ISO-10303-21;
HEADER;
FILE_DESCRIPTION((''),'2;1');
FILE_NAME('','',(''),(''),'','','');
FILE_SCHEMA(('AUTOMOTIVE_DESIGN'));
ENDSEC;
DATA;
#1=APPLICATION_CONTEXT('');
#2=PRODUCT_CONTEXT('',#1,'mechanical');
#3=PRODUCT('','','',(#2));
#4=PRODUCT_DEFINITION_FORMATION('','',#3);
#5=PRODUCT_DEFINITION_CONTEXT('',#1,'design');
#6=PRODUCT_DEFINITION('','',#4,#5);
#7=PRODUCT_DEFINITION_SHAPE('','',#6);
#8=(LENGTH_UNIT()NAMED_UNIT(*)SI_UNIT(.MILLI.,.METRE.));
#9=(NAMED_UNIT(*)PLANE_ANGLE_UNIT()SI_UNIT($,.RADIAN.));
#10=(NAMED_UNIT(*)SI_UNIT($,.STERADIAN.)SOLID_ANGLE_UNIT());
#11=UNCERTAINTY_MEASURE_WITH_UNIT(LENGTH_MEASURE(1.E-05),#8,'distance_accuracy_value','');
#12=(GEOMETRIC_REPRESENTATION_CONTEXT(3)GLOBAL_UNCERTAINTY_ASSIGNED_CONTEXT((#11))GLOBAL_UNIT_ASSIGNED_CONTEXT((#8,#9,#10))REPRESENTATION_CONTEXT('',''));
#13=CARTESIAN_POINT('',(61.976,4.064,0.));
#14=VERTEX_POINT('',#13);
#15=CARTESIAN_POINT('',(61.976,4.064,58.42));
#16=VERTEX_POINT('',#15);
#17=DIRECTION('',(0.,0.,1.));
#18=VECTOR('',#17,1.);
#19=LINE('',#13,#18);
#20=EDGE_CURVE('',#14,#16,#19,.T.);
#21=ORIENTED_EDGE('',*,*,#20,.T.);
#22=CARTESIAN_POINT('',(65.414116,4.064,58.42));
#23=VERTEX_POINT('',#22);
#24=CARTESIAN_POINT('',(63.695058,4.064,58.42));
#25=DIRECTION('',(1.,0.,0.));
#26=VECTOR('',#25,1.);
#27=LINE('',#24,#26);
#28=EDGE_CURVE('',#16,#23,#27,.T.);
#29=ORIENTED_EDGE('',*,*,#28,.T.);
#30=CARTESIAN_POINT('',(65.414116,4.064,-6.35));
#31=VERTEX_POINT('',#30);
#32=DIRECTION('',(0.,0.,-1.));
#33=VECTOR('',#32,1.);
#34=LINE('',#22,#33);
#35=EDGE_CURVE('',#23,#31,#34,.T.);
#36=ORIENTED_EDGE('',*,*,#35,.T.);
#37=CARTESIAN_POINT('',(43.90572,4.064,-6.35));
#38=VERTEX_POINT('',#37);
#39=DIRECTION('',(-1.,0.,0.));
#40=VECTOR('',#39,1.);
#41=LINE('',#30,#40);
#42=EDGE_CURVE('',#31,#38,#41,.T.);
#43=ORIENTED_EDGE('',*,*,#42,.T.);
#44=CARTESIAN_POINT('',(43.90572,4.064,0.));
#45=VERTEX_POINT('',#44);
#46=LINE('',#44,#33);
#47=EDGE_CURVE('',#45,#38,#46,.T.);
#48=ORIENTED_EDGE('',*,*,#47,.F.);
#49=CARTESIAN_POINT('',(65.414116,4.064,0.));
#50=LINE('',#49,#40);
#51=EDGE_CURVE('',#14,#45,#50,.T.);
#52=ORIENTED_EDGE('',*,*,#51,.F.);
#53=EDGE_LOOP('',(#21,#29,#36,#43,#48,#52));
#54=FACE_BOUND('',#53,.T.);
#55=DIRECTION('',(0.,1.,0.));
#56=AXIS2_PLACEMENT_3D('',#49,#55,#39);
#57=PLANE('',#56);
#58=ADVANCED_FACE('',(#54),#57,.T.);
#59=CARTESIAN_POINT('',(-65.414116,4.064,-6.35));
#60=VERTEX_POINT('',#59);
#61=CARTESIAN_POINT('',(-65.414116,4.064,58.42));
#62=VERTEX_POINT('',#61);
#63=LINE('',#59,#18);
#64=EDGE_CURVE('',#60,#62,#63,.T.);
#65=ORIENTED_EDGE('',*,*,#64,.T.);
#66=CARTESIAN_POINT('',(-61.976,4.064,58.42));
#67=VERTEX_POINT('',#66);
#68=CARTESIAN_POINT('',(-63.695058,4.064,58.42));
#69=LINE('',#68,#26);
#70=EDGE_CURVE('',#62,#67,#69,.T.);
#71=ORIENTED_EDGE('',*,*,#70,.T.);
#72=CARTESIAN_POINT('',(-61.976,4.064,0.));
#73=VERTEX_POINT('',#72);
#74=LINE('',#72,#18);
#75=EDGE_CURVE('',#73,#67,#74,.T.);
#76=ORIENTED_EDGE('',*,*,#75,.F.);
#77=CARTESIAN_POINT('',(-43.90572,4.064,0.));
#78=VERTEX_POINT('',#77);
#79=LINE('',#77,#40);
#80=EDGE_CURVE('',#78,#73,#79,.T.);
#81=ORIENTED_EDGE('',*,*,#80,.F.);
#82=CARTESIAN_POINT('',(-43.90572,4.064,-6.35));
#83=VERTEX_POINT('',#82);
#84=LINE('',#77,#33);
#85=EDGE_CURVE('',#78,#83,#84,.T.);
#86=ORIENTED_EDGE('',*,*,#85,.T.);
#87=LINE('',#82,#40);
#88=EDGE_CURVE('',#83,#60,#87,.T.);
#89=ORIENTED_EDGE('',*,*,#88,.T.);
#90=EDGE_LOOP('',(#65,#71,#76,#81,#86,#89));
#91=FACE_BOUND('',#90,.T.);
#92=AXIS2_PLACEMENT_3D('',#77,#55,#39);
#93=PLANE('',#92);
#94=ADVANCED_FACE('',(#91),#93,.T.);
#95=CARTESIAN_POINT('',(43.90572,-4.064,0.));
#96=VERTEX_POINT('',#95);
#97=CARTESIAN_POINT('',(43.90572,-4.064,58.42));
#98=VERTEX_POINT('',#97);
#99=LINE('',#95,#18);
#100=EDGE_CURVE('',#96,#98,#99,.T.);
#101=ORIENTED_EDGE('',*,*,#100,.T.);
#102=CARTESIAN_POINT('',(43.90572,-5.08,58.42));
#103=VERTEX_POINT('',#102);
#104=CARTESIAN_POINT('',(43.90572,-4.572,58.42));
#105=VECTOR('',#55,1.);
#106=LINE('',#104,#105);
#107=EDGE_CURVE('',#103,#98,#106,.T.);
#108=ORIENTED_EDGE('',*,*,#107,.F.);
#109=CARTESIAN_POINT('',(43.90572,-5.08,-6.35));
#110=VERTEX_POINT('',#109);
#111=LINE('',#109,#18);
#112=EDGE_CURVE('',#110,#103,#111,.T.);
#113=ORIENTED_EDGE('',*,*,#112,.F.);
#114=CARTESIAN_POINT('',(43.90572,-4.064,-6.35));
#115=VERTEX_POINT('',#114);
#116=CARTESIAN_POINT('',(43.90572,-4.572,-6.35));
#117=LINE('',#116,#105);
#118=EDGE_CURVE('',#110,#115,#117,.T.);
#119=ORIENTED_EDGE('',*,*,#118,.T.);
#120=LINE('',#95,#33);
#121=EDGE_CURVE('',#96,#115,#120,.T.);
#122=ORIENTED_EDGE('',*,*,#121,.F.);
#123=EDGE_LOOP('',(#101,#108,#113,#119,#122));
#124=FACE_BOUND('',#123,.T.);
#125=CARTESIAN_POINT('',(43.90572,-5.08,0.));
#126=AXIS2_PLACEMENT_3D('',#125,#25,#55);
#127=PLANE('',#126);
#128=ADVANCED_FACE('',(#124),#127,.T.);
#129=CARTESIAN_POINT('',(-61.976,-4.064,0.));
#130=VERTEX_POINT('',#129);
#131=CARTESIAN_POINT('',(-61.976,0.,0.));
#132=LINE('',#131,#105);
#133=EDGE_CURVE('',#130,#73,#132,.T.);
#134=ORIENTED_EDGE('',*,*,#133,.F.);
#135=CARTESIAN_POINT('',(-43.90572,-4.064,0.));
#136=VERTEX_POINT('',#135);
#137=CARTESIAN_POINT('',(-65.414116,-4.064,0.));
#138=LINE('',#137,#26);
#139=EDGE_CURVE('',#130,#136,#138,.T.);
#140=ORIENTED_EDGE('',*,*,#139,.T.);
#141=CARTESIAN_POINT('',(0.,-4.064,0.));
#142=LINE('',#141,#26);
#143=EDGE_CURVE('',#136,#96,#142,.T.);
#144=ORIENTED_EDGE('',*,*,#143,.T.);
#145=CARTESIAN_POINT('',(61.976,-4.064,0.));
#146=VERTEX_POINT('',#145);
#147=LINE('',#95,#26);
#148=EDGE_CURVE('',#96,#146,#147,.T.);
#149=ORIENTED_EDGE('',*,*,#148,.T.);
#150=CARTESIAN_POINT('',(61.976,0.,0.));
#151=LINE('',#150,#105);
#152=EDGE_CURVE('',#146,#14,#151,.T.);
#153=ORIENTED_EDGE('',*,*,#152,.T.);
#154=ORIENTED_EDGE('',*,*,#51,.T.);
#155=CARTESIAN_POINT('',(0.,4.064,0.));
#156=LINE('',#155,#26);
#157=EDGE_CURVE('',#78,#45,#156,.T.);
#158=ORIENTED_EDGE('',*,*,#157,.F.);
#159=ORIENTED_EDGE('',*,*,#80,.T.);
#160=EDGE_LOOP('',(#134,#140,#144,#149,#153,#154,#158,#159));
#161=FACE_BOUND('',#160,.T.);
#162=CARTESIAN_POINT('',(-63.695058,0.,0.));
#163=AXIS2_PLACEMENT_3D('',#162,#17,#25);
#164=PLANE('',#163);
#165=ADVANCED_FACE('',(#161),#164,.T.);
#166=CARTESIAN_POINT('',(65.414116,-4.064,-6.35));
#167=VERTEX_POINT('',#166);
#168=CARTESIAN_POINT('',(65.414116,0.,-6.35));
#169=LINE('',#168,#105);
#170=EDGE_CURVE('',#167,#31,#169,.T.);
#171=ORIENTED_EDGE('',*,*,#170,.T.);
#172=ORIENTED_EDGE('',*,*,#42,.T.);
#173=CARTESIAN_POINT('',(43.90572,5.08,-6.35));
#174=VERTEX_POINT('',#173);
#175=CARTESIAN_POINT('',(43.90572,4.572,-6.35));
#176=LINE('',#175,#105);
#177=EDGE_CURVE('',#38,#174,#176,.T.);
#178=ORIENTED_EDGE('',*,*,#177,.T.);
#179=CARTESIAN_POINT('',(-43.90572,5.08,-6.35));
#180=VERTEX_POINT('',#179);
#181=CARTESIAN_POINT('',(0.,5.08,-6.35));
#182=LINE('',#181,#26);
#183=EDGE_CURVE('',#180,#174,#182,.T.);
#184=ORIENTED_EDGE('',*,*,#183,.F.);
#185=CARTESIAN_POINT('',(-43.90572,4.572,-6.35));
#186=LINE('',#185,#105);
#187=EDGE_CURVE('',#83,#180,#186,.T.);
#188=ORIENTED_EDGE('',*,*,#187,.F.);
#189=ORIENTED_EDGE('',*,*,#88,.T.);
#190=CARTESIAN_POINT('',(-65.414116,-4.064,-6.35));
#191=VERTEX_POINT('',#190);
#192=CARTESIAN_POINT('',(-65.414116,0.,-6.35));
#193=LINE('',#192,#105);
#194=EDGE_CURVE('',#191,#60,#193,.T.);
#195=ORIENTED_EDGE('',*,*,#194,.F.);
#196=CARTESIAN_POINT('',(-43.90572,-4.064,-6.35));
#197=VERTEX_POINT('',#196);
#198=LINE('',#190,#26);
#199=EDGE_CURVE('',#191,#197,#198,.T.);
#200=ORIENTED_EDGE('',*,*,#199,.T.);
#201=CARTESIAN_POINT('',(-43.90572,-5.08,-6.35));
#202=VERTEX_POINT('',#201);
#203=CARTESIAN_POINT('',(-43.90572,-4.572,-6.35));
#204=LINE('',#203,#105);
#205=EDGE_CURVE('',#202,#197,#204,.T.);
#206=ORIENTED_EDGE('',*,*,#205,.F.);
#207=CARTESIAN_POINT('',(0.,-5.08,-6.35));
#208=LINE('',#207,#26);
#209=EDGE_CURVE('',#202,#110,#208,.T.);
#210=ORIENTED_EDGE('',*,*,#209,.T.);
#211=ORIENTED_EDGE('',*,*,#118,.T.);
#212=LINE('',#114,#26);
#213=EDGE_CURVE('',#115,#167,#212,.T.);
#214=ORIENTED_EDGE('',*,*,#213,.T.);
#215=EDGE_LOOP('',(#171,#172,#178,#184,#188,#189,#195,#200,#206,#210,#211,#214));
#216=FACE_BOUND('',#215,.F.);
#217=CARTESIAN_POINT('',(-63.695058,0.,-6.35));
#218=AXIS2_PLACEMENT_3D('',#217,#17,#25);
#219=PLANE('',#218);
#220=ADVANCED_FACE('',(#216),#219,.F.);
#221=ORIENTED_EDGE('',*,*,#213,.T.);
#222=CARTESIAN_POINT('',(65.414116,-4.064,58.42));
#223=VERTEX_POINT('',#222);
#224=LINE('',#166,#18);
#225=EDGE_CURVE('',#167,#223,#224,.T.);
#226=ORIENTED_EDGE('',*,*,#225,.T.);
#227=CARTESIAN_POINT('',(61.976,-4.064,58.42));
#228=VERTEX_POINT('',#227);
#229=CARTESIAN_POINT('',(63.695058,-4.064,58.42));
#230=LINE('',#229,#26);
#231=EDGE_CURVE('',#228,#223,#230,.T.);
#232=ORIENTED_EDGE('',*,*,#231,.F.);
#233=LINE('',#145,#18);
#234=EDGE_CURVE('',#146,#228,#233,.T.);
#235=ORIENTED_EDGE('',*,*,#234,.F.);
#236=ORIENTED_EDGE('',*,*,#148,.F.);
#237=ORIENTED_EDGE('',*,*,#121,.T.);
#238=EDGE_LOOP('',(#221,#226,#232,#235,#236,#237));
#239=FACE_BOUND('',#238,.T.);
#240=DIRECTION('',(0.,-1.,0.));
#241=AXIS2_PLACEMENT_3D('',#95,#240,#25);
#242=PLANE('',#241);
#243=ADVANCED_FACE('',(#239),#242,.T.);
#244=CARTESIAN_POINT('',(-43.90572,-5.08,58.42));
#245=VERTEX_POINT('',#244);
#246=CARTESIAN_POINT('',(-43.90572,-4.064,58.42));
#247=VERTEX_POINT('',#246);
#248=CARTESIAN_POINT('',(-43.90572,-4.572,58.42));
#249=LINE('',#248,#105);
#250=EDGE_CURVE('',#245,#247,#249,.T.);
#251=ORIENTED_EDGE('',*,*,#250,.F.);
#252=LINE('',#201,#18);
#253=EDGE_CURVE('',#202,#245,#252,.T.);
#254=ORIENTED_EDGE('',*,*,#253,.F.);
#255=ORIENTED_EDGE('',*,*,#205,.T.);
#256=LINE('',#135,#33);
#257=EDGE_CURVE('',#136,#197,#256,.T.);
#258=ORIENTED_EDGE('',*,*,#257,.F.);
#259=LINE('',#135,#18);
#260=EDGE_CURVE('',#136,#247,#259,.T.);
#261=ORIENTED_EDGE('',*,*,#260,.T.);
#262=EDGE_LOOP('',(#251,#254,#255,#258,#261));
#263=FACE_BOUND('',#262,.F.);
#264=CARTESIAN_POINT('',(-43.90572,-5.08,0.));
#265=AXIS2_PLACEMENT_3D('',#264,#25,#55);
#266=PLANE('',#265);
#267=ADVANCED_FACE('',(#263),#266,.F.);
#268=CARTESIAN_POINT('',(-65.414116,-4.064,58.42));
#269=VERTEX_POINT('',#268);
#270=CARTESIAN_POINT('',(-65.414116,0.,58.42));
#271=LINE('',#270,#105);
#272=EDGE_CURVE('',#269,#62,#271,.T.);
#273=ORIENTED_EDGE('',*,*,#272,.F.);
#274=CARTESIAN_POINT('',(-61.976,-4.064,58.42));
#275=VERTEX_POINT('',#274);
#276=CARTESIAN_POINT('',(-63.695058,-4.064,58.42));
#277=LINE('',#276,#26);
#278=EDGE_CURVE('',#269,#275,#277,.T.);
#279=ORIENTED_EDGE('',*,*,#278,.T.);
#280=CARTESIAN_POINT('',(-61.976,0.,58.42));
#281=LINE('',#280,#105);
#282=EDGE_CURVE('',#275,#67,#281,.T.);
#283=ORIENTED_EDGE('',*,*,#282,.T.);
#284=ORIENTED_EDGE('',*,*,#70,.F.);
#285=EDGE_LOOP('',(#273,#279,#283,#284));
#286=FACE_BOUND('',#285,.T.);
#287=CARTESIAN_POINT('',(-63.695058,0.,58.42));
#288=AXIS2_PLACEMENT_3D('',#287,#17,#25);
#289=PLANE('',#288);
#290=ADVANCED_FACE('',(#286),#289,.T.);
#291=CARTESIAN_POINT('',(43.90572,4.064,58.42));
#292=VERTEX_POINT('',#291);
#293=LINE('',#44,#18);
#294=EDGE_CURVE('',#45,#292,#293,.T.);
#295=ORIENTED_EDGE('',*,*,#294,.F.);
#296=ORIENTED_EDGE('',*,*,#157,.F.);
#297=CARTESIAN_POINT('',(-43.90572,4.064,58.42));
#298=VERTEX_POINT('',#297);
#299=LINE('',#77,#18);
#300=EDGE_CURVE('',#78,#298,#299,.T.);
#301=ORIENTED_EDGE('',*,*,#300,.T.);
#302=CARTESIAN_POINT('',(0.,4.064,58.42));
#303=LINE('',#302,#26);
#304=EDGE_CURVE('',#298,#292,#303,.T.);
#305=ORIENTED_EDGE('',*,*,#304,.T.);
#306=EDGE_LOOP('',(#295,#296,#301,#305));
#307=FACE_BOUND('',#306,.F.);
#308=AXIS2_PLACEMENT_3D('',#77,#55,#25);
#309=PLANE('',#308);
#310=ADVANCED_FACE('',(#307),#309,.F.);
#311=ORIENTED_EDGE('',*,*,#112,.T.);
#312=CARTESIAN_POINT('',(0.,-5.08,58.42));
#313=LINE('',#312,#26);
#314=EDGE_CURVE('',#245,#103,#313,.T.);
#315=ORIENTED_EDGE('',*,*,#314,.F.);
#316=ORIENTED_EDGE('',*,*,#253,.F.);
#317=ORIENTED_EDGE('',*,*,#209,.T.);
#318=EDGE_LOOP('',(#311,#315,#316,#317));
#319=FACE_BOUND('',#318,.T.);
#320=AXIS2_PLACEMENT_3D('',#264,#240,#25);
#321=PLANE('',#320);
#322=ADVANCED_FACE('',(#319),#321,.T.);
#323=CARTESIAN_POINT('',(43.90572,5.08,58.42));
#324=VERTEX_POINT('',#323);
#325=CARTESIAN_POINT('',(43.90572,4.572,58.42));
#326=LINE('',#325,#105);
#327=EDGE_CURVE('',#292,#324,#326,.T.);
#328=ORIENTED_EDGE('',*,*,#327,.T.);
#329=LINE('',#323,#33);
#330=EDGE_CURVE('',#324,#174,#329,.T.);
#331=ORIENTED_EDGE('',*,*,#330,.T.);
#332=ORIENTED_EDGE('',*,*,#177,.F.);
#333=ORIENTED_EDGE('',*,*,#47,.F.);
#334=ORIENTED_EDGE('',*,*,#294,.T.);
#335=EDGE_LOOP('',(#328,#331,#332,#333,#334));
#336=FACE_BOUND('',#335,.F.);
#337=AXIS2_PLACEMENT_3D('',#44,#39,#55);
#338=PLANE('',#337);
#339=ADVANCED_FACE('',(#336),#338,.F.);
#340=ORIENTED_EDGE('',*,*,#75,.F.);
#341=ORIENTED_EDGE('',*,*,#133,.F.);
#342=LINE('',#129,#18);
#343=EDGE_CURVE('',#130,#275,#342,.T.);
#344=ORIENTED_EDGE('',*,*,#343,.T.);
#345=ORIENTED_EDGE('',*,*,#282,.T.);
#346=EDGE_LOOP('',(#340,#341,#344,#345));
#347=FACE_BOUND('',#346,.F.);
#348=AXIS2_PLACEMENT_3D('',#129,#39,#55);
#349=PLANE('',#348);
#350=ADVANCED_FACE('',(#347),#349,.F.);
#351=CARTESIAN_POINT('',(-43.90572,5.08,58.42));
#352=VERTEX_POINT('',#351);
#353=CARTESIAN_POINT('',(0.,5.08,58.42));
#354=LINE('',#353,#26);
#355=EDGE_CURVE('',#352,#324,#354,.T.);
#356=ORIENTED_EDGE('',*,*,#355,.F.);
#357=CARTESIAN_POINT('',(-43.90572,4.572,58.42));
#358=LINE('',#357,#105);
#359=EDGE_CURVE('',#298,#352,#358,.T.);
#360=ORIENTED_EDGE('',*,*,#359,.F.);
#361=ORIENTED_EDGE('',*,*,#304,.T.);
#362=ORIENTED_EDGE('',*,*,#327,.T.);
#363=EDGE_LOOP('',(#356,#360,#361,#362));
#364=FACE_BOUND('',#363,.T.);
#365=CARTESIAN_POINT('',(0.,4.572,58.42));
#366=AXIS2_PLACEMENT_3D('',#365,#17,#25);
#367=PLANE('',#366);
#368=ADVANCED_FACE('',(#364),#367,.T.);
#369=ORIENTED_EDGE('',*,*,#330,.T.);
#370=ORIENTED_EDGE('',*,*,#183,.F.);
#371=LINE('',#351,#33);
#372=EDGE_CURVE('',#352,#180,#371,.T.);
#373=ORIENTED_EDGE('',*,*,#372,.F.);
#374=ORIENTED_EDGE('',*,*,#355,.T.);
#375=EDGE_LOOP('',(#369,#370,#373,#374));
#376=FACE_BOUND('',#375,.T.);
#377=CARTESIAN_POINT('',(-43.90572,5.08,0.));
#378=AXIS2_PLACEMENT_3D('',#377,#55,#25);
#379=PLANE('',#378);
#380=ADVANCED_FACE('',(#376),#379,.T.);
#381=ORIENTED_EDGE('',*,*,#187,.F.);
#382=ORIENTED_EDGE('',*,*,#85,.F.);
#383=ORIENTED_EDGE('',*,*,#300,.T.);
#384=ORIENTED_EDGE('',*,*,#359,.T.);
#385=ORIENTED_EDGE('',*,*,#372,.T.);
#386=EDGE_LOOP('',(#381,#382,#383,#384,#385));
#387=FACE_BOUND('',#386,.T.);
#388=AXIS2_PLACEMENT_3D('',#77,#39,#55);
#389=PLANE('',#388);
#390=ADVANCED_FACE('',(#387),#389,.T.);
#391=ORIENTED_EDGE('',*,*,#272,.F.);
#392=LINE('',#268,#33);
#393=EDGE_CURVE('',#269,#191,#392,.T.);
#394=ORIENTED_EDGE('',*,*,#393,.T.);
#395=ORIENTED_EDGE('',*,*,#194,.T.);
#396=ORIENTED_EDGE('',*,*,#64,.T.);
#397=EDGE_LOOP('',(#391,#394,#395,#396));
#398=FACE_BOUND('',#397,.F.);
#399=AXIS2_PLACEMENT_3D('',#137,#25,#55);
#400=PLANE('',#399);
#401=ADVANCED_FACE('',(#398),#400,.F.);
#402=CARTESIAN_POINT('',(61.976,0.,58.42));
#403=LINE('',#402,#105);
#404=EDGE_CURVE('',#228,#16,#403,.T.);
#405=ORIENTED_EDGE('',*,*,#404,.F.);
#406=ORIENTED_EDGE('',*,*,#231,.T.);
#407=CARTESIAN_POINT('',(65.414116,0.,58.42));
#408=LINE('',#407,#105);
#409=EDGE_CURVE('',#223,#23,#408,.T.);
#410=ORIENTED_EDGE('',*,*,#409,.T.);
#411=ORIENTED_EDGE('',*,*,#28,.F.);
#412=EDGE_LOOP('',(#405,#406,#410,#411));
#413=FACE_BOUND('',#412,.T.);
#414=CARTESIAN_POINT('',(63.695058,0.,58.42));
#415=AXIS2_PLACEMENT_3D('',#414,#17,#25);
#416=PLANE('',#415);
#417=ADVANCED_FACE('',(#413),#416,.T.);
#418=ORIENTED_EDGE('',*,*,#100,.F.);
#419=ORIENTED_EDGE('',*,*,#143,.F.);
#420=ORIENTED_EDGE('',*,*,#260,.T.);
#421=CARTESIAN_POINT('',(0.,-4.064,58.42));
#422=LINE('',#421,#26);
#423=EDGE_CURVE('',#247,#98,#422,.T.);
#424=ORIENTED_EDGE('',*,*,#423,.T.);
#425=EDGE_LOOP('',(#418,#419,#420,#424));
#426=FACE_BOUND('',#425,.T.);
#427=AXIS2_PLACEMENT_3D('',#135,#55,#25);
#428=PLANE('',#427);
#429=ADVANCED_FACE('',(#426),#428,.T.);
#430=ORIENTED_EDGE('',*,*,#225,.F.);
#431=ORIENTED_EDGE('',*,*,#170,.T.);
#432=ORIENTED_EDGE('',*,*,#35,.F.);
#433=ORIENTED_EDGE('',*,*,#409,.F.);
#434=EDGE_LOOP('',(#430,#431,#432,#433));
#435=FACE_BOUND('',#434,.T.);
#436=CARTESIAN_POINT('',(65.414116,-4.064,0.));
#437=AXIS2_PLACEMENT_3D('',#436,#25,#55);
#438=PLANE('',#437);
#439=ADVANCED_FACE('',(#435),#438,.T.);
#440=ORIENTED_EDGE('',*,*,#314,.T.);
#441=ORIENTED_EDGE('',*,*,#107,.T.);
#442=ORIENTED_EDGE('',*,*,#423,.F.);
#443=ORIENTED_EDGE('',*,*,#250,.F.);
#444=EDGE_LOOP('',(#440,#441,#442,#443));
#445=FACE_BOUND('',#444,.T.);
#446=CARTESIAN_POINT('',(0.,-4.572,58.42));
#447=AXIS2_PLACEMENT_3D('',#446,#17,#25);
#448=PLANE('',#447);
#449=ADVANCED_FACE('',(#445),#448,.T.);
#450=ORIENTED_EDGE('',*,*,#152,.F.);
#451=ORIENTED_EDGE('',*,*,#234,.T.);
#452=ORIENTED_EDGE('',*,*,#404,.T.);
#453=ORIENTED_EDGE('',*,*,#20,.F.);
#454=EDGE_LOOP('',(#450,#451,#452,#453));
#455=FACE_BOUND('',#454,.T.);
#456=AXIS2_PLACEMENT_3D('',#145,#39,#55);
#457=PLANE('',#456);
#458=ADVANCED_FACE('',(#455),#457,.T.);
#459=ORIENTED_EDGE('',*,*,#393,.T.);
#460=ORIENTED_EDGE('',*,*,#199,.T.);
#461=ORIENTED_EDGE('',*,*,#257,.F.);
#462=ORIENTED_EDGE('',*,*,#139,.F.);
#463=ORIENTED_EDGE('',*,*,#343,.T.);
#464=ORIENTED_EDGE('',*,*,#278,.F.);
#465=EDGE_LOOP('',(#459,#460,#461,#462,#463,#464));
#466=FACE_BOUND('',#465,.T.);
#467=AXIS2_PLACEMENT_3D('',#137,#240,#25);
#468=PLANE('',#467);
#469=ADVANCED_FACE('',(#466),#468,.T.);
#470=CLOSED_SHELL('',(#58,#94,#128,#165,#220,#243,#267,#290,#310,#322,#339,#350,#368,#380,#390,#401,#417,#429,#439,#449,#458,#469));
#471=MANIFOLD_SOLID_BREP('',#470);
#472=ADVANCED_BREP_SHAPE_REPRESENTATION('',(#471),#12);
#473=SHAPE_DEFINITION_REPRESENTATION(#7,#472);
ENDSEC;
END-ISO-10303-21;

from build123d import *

# Parameters (mm, degrees)
F0_W     = 3.4381157866
F0_H     = 8.128
F0_W_2   = 87.8114402294
F0_H_2   = 1.016
F0_W_3   = 18.0702798853
F1_DEPTH = 6.35
F2_DEPTH = 58.42


with BuildPart() as f1:
    # F0 (on Top) → F1 (new body)
    with BuildSketch(Plane.XY):
        with Locations((-63.6950578933, 0)):
            Rectangle(F0_W, F0_H)
        with Locations((0, 4.572)):
            Rectangle(F0_W_2, F0_H_2)
        with Locations((0, -4.572)):
            Rectangle(F0_W_2, F0_H_2)
        with Locations((-52.9408600574, 0)):
            Rectangle(F0_W_3, F0_H)
        with Locations((52.9408600574, 0)):
            Rectangle(F0_W_3, F0_H)
        with Locations((63.6950578933, 0)):
            Rectangle(F0_W, F0_H)
        Rectangle(F0_W_2, F0_H)
    extrude(amount=-F1_DEPTH)

    # F0 (on Top) → F2 (join)
    with BuildSketch(Plane.XY):
        with Locations((0, 4.572)):
            Rectangle(F0_W_2, F0_H_2)
        with Locations((-63.6950578933, 0)):
            Rectangle(F0_W, F0_H)
        with Locations((63.6950578933, 0)):
            Rectangle(F0_W, F0_H)
        with Locations((0, -4.572)):
            Rectangle(F0_W_2, F0_H_2)
    extrude(amount=F2_DEPTH)


solid = f1.part
